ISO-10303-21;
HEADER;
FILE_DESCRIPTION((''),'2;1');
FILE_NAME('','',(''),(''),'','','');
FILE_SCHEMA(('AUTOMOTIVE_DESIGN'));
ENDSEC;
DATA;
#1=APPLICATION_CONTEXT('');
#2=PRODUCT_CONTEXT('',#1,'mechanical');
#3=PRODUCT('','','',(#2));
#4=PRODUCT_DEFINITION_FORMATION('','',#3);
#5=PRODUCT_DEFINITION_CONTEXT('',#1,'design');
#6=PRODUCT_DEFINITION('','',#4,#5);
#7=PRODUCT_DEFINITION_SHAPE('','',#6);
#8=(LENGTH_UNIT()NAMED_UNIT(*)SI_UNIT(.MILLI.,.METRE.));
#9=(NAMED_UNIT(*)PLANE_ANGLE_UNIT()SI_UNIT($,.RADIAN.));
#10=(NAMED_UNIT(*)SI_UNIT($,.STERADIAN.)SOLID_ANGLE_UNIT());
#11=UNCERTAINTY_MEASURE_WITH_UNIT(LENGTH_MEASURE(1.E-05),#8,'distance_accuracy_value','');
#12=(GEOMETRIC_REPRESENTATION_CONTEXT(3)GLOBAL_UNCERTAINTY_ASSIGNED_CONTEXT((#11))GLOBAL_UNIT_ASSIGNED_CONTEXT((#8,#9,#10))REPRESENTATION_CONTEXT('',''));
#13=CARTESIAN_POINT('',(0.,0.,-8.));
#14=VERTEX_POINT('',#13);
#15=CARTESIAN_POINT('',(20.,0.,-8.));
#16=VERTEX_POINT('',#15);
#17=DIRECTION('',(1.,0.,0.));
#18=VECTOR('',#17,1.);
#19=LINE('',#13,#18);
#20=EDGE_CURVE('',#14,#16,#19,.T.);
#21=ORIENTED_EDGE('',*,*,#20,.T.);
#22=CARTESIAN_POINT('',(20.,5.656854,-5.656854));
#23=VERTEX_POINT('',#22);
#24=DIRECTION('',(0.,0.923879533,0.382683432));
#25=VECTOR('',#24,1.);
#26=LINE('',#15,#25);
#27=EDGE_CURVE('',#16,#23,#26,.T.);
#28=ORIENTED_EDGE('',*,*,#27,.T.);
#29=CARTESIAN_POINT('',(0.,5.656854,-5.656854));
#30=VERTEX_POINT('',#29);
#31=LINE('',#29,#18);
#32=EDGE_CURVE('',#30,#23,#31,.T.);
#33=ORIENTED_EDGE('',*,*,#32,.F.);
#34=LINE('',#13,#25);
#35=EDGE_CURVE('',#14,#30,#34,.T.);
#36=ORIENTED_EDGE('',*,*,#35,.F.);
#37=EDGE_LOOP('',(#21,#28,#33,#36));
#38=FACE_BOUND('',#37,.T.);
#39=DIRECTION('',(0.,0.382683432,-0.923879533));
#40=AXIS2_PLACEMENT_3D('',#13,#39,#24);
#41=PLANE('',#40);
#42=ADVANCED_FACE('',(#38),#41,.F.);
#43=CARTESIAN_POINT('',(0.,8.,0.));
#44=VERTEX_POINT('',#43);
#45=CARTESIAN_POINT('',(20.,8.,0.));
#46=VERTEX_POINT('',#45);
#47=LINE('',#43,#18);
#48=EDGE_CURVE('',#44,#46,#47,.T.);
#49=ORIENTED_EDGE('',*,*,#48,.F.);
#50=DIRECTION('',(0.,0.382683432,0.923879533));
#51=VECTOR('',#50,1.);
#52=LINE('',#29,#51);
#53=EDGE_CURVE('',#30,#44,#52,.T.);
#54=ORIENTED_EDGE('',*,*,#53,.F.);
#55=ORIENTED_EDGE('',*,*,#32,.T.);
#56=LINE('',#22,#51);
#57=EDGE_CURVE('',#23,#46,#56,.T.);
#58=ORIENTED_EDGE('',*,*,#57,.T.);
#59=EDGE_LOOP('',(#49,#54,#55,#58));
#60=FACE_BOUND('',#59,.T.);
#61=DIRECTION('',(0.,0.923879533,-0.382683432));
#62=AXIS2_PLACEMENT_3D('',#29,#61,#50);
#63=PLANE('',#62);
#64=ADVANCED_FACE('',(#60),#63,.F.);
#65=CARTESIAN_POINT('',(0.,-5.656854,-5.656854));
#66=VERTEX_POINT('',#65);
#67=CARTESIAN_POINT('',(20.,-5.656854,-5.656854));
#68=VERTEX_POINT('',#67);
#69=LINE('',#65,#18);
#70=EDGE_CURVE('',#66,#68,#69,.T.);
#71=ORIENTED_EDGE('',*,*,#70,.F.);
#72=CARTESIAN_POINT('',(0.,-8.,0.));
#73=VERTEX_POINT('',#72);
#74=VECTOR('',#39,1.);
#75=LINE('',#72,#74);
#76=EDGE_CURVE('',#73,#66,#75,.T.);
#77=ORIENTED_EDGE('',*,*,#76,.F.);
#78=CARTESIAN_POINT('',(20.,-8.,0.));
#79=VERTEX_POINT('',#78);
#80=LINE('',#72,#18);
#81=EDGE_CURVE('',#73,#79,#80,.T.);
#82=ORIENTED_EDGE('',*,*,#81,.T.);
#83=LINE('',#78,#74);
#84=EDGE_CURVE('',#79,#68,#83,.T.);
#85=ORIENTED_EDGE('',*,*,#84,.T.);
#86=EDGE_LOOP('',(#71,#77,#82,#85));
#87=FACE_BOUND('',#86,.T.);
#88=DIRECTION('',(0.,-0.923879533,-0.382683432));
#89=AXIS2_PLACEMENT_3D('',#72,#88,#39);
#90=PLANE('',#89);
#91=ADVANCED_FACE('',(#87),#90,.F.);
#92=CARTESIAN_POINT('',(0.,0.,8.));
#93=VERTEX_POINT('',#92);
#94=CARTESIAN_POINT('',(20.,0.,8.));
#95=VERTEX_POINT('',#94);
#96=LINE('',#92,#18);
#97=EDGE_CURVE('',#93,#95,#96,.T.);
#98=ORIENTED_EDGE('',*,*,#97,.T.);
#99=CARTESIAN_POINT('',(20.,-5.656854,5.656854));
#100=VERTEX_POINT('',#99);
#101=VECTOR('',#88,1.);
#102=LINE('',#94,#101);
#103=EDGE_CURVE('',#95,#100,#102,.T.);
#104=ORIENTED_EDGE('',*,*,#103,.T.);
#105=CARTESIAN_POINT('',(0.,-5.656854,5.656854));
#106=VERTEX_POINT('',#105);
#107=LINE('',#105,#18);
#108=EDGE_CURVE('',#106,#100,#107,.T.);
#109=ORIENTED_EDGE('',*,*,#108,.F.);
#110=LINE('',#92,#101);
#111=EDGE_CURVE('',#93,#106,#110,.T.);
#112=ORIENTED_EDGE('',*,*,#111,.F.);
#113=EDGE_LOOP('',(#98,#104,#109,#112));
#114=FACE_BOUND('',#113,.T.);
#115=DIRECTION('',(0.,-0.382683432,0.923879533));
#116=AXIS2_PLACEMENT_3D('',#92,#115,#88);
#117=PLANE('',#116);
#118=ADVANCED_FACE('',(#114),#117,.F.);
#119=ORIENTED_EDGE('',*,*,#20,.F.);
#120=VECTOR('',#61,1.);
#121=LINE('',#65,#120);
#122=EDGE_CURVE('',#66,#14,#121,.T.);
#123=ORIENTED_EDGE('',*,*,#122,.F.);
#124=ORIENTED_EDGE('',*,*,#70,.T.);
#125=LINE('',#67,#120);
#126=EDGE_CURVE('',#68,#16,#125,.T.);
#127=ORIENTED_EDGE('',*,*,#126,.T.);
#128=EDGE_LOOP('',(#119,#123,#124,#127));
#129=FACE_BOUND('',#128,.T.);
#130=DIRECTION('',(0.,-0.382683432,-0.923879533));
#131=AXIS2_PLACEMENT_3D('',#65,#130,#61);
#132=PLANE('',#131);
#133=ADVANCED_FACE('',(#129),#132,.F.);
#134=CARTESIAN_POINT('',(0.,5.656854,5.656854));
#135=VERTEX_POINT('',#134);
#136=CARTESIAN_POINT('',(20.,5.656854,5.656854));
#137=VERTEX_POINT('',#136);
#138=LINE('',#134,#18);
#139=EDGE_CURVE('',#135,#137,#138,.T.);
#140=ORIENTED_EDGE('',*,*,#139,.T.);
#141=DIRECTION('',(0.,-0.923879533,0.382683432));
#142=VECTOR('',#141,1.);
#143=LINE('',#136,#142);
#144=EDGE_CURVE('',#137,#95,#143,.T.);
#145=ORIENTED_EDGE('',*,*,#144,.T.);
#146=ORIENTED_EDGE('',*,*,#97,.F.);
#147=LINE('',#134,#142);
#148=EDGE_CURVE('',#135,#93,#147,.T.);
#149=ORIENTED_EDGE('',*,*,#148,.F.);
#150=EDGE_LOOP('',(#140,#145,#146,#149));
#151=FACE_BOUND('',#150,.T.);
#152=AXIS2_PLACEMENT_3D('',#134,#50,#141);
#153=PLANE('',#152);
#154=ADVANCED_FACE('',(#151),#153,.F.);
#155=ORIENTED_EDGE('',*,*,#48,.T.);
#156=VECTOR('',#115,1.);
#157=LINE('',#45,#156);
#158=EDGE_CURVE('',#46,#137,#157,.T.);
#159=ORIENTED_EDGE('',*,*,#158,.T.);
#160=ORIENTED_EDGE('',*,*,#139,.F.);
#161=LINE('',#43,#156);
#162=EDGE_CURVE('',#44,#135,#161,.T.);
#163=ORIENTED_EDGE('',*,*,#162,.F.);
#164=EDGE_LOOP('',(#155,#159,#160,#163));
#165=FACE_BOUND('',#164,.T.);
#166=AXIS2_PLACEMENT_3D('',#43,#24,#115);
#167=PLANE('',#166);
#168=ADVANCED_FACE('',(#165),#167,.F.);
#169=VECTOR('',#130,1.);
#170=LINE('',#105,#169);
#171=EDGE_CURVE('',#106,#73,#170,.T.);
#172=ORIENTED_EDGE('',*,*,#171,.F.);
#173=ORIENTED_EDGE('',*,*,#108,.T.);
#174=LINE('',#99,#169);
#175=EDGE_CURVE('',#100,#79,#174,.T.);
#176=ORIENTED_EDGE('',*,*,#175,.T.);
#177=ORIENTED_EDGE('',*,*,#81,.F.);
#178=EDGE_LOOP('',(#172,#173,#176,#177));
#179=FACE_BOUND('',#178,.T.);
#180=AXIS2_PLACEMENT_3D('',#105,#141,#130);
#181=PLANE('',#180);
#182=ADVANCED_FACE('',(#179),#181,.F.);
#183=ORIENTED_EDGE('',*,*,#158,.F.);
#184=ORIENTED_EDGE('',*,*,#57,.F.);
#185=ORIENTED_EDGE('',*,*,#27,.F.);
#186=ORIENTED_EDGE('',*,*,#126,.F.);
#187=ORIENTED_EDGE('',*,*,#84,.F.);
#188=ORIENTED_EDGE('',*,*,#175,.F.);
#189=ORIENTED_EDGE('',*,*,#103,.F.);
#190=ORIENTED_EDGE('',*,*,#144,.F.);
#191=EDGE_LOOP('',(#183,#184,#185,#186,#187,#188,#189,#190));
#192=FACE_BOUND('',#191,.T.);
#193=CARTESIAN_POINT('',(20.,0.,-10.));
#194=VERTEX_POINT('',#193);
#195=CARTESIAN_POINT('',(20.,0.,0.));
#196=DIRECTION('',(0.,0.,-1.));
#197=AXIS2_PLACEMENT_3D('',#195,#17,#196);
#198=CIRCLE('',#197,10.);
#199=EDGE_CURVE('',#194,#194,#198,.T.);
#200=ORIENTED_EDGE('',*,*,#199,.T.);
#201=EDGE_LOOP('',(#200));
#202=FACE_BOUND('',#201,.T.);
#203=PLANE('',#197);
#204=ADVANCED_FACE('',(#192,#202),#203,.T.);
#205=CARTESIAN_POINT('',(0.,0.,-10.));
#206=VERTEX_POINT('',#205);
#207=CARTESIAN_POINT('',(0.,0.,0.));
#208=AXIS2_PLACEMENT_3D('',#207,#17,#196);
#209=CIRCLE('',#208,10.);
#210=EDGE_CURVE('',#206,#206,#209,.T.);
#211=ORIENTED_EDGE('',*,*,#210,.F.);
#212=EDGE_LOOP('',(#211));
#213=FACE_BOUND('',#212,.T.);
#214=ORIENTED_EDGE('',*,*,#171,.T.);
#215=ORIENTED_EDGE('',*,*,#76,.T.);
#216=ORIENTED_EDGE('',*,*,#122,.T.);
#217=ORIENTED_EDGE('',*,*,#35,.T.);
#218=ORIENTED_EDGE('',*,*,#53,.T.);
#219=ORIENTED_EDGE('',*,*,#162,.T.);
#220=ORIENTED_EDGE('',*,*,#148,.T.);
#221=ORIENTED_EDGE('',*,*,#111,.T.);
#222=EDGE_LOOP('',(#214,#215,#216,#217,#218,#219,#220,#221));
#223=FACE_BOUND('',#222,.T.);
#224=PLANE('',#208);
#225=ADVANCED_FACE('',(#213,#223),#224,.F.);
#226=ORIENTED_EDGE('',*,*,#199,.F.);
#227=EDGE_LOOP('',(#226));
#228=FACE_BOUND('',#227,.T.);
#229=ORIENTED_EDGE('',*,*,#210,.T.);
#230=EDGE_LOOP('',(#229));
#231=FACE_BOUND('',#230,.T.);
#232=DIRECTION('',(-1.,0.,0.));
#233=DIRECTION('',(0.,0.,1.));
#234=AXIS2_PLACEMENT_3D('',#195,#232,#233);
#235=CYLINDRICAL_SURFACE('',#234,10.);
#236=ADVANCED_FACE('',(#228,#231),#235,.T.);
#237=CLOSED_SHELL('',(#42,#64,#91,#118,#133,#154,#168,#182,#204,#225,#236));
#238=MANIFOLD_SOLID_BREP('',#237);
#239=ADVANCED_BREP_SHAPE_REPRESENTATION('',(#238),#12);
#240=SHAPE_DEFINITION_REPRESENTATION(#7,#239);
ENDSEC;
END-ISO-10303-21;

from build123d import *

# Parameters (mm, degrees)
SKETCH2_R           = 10
BOSS_EXTRUDE5_DEPTH = 20
CUT_EXTRUDE1_DEPTH  = 20


with BuildPart() as part:
    # Sketch2 → Boss-Extrude5 (new body)
    with BuildSketch(Plane(origin=(0, 0, 0), x_dir=(0, 0, -1), z_dir=(1, 0, 0))):
        Circle(SKETCH2_R)
    extrude(amount=BOSS_EXTRUDE5_DEPTH)

    # Sketch5 → Cut-Extrude1 (cut)
    with BuildSketch(Plane(origin=(20, 0, 0), x_dir=(0, 0, -1), z_dir=(1, 0, 0))):
        Polygon((8, 0), (5.656854249, 5.656854249), (0, 8), (-5.656854249, 5.656854249), (-8, 0), (-5.656854249, -5.656854249), (0, -8), (5.656854249, -5.656854249), align=None)
    extrude(amount=-CUT_EXTRUDE1_DEPTH, mode=Mode.SUBTRACT)


solid = part.part
